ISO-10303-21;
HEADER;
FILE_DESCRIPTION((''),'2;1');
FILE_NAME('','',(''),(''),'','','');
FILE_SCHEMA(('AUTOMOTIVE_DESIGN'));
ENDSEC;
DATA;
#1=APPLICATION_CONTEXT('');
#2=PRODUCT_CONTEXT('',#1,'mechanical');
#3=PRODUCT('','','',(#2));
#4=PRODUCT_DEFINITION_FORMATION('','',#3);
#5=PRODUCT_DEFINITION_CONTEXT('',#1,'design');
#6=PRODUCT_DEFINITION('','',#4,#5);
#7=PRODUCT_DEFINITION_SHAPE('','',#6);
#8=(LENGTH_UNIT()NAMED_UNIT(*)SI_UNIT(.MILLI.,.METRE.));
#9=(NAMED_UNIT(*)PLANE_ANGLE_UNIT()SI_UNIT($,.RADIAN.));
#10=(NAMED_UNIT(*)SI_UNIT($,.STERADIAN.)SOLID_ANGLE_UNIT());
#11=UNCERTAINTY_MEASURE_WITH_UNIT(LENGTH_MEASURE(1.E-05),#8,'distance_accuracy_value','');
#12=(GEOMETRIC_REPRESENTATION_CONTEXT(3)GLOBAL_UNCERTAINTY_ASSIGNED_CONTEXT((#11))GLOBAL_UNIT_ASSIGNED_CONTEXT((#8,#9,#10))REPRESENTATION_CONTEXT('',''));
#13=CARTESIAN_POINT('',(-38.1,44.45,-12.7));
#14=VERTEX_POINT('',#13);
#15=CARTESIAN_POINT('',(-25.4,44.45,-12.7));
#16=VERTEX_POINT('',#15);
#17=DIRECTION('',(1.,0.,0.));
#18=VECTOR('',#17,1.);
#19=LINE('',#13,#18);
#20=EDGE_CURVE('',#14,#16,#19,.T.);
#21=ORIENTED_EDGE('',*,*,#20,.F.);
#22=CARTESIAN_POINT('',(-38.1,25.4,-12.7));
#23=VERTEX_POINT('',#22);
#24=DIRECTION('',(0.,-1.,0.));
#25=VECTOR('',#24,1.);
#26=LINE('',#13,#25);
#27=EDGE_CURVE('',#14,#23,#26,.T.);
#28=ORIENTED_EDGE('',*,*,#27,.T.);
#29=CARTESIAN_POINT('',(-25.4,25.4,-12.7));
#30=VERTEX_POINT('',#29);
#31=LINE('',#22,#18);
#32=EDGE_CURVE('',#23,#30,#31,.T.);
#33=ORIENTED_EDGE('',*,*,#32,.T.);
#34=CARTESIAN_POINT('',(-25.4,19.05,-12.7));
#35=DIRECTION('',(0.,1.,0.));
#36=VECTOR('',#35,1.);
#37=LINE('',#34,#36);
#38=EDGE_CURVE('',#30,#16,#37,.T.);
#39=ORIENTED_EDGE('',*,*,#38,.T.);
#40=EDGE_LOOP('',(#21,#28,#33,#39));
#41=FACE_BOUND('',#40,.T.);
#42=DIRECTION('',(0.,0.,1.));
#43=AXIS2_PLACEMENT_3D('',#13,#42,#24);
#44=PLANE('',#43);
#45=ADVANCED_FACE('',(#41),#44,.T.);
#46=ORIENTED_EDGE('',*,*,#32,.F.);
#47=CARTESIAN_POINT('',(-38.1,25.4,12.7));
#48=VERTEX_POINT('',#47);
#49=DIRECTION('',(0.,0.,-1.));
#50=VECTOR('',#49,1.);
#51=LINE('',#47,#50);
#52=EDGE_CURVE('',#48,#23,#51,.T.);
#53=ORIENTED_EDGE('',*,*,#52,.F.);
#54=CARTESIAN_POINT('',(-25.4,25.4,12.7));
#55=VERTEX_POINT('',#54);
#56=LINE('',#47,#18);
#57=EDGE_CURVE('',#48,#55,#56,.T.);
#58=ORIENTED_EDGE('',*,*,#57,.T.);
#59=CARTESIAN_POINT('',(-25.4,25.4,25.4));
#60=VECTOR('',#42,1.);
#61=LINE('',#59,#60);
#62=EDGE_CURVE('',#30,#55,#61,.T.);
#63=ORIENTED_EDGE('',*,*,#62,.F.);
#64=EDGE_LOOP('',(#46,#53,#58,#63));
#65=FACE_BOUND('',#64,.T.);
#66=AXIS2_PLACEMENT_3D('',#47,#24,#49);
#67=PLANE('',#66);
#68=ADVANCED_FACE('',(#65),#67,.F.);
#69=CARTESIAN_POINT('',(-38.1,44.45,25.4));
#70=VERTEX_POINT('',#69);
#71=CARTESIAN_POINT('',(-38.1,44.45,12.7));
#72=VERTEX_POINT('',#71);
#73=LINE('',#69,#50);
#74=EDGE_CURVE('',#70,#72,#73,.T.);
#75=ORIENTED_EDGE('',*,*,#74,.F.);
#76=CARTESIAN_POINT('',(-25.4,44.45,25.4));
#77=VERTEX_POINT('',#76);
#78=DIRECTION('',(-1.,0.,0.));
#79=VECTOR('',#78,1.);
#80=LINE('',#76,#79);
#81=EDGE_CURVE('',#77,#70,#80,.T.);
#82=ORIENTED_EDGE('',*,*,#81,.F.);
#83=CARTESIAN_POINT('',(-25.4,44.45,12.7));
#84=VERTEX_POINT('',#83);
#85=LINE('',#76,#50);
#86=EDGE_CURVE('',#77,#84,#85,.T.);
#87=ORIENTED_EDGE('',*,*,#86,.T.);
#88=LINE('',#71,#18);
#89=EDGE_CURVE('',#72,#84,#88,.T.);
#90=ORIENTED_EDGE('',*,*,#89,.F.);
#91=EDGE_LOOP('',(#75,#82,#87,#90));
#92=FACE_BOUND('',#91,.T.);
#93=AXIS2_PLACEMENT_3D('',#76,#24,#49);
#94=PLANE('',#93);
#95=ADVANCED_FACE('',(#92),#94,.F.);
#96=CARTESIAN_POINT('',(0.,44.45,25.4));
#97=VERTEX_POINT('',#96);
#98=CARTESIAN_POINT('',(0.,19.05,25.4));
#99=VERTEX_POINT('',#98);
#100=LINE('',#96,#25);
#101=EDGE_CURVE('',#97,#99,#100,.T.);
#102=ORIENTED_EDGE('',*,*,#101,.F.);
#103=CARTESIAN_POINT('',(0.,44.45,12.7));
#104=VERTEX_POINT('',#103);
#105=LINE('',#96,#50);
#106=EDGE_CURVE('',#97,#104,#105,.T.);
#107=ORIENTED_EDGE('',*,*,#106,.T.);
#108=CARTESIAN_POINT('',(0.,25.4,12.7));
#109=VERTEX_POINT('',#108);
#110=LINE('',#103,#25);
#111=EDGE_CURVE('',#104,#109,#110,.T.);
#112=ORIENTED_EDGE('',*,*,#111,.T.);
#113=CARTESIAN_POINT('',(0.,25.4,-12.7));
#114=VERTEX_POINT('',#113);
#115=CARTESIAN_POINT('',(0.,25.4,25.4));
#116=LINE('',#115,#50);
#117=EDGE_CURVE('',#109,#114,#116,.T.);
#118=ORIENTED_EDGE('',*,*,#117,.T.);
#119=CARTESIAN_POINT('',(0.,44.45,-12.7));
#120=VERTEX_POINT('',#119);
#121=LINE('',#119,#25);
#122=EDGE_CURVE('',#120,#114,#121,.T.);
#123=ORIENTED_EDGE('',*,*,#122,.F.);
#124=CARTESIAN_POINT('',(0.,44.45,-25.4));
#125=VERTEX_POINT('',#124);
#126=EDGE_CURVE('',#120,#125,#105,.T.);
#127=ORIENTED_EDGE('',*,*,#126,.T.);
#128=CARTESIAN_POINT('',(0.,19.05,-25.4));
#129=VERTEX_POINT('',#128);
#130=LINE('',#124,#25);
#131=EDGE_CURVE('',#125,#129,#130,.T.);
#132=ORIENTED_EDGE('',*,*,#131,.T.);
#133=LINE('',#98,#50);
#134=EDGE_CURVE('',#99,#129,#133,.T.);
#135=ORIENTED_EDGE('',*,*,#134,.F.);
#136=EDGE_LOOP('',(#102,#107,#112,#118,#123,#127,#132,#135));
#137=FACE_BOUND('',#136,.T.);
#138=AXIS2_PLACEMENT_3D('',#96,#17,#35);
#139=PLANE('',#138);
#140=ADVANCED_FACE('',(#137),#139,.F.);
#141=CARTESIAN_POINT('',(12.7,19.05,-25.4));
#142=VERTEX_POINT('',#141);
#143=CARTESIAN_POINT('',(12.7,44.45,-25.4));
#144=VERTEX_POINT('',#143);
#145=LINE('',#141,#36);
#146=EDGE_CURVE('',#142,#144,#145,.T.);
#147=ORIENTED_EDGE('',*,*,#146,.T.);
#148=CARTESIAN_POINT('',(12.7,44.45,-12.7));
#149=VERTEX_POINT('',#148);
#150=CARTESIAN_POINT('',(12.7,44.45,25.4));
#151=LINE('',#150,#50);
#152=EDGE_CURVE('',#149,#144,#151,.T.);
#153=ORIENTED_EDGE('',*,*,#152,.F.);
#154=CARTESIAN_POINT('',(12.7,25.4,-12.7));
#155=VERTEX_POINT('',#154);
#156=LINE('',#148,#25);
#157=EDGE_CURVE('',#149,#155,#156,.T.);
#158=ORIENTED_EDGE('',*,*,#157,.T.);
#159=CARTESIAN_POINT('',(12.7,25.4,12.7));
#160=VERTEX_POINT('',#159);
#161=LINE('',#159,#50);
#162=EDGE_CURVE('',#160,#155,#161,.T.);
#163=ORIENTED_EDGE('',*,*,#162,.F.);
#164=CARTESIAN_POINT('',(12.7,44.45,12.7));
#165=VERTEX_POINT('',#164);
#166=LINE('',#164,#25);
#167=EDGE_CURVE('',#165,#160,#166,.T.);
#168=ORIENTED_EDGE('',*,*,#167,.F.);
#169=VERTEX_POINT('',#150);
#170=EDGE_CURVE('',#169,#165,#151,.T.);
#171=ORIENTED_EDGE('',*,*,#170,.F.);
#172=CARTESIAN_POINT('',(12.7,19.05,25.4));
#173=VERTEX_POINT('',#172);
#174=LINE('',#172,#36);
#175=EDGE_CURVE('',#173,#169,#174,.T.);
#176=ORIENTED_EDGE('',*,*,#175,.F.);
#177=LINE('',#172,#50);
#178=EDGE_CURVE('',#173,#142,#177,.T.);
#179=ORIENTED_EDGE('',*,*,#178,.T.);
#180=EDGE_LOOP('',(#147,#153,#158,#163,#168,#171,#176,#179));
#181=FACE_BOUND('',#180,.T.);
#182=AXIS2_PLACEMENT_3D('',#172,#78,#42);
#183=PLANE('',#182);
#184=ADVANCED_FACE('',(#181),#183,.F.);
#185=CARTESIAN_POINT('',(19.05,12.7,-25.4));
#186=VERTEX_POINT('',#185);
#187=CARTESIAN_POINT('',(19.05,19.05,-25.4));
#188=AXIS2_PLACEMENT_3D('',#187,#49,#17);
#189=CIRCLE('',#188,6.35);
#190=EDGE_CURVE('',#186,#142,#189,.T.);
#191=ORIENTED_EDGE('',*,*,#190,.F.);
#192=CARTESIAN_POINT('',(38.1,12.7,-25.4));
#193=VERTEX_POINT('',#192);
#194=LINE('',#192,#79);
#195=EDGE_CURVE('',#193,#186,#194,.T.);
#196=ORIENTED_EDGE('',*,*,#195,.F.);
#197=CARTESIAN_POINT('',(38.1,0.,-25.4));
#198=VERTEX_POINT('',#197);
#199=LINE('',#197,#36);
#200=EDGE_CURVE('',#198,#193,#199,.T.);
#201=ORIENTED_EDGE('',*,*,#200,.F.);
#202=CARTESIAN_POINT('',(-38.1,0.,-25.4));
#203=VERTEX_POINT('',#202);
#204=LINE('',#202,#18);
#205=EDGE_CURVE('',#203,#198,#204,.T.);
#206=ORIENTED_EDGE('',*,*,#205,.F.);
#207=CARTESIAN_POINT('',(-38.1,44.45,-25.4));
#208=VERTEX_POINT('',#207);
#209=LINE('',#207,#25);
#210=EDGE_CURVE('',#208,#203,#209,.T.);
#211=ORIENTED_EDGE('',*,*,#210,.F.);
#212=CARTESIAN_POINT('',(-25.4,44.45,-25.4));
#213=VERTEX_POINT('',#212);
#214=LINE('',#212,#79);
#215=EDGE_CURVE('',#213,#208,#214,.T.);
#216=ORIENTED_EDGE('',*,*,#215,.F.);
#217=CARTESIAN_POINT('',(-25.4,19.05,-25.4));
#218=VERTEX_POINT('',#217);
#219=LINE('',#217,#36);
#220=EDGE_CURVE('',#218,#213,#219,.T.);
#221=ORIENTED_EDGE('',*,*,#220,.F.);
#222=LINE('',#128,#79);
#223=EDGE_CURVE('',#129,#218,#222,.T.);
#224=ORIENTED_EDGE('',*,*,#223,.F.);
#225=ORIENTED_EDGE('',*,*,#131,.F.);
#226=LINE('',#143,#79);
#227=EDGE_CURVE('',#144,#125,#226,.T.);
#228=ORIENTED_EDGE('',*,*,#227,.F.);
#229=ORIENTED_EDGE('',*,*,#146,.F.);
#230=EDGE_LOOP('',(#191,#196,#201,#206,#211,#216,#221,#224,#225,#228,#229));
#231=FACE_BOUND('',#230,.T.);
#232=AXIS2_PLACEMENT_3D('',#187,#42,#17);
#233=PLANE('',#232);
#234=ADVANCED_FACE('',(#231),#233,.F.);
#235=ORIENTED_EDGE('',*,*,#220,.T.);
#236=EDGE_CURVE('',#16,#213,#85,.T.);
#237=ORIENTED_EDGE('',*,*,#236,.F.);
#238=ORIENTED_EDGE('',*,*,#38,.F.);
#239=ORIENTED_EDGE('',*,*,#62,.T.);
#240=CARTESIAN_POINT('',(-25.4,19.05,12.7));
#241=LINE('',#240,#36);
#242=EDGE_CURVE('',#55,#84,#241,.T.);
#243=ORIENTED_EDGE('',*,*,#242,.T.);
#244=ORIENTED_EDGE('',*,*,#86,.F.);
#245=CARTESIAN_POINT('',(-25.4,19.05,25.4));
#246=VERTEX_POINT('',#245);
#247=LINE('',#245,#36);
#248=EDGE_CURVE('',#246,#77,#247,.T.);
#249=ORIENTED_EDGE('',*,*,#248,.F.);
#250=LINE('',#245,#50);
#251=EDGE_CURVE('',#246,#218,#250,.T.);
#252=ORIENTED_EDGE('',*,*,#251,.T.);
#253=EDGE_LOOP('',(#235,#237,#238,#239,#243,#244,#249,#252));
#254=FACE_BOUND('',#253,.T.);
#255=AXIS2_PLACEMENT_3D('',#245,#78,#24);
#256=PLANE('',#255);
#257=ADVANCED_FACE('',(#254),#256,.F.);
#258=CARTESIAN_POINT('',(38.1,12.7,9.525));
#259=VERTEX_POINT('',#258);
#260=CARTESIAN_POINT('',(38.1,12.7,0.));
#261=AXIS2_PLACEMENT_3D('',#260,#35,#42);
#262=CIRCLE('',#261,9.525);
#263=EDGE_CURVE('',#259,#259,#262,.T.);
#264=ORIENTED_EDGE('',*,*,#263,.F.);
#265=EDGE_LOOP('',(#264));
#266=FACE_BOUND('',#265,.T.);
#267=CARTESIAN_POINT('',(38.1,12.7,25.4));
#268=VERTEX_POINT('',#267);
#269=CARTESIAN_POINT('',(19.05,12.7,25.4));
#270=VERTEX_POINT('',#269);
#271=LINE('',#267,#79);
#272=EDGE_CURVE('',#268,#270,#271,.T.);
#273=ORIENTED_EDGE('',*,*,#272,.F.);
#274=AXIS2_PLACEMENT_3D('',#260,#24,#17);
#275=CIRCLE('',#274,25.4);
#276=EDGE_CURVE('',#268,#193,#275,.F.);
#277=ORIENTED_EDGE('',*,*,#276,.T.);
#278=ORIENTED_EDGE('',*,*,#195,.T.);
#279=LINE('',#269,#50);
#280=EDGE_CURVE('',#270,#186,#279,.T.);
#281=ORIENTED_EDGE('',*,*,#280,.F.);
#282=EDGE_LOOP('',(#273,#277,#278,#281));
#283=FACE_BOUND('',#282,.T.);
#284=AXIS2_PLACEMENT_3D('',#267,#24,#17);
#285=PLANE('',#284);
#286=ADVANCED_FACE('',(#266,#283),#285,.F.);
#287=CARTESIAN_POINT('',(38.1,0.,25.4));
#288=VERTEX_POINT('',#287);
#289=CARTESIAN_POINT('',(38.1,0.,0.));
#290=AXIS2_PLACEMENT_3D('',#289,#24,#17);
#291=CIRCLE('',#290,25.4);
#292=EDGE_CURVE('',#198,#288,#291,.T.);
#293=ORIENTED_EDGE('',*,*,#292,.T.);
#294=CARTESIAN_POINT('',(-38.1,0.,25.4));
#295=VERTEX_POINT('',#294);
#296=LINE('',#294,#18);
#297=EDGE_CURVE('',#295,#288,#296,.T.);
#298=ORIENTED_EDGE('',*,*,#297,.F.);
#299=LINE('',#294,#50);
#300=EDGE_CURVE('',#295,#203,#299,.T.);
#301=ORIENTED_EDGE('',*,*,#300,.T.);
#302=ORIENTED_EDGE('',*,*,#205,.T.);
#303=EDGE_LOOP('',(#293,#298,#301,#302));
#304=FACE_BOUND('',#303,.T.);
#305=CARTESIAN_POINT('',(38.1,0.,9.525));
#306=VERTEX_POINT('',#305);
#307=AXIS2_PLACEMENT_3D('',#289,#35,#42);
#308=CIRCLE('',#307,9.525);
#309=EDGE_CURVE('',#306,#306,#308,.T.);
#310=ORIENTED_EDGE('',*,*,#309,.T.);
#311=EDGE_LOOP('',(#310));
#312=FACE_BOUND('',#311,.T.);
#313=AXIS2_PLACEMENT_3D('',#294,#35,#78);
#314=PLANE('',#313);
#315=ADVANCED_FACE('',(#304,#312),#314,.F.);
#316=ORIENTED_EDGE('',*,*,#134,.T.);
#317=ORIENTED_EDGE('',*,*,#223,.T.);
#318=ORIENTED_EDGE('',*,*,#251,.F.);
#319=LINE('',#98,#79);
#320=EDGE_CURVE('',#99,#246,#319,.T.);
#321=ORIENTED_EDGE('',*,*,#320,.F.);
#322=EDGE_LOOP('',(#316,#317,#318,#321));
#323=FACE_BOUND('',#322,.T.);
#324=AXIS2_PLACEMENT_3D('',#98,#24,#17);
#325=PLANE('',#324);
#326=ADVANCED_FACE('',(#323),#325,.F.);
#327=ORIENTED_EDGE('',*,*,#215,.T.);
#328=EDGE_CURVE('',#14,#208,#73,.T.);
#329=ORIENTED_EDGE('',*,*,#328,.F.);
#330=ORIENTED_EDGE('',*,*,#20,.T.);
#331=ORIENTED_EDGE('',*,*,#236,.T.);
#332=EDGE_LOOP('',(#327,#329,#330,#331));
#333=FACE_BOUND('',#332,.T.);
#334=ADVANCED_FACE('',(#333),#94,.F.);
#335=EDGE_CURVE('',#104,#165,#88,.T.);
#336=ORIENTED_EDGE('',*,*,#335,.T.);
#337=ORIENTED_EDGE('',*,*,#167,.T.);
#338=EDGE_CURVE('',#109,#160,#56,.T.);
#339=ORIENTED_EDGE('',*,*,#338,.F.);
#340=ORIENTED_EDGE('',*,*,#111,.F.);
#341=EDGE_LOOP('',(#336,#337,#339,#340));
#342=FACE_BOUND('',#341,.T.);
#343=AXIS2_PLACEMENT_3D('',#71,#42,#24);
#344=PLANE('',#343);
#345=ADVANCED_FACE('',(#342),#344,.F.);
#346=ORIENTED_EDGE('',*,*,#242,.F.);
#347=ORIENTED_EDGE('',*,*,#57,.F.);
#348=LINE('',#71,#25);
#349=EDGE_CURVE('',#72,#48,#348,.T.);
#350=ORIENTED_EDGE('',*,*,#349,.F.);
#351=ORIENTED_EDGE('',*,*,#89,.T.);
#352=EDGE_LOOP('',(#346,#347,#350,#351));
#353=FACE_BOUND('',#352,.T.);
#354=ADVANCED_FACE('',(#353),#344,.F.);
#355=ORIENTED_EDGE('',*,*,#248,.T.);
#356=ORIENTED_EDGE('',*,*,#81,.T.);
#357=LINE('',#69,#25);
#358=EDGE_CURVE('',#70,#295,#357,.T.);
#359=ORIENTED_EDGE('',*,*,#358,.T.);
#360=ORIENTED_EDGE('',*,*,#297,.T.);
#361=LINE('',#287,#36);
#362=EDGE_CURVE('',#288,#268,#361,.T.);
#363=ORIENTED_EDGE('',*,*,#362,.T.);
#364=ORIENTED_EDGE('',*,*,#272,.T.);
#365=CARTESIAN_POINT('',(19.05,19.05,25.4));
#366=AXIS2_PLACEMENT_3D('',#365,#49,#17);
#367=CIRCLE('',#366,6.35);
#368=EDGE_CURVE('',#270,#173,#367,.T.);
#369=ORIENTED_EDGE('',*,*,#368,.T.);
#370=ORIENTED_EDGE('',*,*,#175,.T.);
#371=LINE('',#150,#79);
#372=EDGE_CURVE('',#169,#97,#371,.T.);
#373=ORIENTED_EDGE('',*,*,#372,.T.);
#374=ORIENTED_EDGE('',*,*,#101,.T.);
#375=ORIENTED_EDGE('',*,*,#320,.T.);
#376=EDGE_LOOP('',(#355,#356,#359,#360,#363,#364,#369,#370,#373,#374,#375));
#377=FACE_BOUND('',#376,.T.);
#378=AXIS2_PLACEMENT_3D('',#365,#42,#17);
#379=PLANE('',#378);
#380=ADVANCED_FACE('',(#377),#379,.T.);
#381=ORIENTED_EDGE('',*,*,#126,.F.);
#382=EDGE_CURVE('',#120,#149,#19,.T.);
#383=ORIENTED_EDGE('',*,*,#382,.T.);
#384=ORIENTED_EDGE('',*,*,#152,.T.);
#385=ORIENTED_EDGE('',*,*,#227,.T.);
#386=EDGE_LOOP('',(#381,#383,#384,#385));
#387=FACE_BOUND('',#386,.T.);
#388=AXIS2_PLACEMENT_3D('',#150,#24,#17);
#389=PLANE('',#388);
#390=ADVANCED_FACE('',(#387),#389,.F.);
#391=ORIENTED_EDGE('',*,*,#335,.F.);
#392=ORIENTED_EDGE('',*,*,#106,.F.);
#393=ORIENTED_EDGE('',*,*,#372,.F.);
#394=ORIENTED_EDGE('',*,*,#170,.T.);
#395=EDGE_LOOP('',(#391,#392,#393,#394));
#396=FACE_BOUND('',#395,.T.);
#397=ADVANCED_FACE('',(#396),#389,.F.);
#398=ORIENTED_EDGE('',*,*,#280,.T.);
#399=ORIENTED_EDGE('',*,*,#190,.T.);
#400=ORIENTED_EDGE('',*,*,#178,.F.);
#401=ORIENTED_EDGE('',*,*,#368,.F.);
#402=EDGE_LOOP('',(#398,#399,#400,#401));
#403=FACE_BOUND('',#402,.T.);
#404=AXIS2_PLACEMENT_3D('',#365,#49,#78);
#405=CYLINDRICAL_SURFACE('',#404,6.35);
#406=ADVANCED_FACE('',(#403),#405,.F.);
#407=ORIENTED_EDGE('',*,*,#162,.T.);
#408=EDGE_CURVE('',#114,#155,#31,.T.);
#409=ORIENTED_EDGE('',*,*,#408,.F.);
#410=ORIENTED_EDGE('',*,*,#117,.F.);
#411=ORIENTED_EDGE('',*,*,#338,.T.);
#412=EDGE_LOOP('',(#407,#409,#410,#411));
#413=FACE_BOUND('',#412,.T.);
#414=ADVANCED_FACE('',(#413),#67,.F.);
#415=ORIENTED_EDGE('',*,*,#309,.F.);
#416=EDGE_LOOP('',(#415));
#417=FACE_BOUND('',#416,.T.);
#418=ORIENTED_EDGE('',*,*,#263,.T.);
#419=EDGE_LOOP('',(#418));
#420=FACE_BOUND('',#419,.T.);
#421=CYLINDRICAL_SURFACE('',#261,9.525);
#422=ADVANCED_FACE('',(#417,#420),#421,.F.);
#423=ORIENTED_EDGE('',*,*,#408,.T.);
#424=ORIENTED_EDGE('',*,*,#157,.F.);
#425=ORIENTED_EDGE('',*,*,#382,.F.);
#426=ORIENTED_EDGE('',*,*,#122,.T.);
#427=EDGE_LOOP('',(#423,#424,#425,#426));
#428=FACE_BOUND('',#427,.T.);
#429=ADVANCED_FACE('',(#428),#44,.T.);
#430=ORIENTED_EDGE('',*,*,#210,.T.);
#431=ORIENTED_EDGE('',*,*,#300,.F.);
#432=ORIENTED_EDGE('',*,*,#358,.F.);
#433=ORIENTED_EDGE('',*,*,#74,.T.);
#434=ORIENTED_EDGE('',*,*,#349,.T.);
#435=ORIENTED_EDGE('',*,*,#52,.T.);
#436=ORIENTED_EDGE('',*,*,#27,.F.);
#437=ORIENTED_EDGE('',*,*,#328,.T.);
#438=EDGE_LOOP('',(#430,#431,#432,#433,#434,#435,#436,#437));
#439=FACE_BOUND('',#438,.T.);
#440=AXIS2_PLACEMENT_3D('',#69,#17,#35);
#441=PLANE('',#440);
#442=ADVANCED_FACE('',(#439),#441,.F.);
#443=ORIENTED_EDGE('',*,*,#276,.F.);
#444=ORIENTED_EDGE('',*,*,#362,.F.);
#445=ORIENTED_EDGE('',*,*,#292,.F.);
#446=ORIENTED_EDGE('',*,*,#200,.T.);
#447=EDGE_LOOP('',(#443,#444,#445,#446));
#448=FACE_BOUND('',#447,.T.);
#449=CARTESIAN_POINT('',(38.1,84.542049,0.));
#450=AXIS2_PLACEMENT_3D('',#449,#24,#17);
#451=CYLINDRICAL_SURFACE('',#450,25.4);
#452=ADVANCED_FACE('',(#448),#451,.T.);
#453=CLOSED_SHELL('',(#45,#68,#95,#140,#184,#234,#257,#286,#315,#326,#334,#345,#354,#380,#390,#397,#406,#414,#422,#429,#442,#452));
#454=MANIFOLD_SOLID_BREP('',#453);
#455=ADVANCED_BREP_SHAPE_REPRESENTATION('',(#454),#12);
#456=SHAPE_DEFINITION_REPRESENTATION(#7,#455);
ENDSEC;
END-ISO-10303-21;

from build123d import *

# Parameters (mm, degrees)
BASEEXTRUDE_DEPTH           = 25.4
SKETCH2_R                   = 25.4
BOSS_EXTRUDE2_DEPTH         = 12.7
F_3_4_0_75_DIAMETER_HOLE2_D = 19.05
SKETCH9_W                   = 25.4
SKETCH9_H                   = 19.05
CUT_EXTRUDE1_DEPTH          = 51.8


with BuildPart() as part:
    # base → baseExtrude (new body, symmetric)
    with BuildSketch(Plane.XY):
        with BuildLine():
            Line((-38.1, 0), (38.1, 0))
            Line((38.1, 0), (38.1, 12.7))
            Line((38.1, 12.7), (19.05, 12.7))
            ThreePointArc((19.05, 12.7), (14.559871939, 14.559871939), (12.7, 19.05))
            Line((12.7, 19.05), (12.7, 44.45))
            Line((12.7, 44.45), (0, 44.45))
            Line((0, 44.45), (0, 19.05))
            Line((0, 19.05), (-25.4, 19.05))
            Line((-25.4, 19.05), (-25.4, 44.45))
            Line((-25.4, 44.45), (-38.1, 44.45))
            Line((-38.1, 44.45), (-38.1, 0))
        make_face()
    extrude(amount=BASEEXTRUDE_DEPTH, both=True)

    # Sketch2 → Boss-Extrude2 (add)
    with BuildSketch(Plane.XZ):
        with Locations((38.1, 0)):
            Circle(SKETCH2_R)
    extrude(amount=-BOSS_EXTRUDE2_DEPTH)

    # 3/4 (0.75) Diameter Hole2 (through all)
    with Locations(Plane(origin=(0, 12.7, 0), x_dir=(1, 0, 0), z_dir=(0, 1, 0))):
        with Locations((38.1, 0)):
            Hole(F_3_4_0_75_DIAMETER_HOLE2_D / 2)

    # Sketch9 → Cut-Extrude1 (cut, through all)
    with BuildSketch(Plane(origin=(12.7, 0, 0), x_dir=(0, 0, -1), z_dir=(1, 0, 0))):
        with Locations((0, 34.925)):
            Rectangle(SKETCH9_W, SKETCH9_H)
    extrude(amount=-CUT_EXTRUDE1_DEPTH, mode=Mode.SUBTRACT)


solid = part.part
